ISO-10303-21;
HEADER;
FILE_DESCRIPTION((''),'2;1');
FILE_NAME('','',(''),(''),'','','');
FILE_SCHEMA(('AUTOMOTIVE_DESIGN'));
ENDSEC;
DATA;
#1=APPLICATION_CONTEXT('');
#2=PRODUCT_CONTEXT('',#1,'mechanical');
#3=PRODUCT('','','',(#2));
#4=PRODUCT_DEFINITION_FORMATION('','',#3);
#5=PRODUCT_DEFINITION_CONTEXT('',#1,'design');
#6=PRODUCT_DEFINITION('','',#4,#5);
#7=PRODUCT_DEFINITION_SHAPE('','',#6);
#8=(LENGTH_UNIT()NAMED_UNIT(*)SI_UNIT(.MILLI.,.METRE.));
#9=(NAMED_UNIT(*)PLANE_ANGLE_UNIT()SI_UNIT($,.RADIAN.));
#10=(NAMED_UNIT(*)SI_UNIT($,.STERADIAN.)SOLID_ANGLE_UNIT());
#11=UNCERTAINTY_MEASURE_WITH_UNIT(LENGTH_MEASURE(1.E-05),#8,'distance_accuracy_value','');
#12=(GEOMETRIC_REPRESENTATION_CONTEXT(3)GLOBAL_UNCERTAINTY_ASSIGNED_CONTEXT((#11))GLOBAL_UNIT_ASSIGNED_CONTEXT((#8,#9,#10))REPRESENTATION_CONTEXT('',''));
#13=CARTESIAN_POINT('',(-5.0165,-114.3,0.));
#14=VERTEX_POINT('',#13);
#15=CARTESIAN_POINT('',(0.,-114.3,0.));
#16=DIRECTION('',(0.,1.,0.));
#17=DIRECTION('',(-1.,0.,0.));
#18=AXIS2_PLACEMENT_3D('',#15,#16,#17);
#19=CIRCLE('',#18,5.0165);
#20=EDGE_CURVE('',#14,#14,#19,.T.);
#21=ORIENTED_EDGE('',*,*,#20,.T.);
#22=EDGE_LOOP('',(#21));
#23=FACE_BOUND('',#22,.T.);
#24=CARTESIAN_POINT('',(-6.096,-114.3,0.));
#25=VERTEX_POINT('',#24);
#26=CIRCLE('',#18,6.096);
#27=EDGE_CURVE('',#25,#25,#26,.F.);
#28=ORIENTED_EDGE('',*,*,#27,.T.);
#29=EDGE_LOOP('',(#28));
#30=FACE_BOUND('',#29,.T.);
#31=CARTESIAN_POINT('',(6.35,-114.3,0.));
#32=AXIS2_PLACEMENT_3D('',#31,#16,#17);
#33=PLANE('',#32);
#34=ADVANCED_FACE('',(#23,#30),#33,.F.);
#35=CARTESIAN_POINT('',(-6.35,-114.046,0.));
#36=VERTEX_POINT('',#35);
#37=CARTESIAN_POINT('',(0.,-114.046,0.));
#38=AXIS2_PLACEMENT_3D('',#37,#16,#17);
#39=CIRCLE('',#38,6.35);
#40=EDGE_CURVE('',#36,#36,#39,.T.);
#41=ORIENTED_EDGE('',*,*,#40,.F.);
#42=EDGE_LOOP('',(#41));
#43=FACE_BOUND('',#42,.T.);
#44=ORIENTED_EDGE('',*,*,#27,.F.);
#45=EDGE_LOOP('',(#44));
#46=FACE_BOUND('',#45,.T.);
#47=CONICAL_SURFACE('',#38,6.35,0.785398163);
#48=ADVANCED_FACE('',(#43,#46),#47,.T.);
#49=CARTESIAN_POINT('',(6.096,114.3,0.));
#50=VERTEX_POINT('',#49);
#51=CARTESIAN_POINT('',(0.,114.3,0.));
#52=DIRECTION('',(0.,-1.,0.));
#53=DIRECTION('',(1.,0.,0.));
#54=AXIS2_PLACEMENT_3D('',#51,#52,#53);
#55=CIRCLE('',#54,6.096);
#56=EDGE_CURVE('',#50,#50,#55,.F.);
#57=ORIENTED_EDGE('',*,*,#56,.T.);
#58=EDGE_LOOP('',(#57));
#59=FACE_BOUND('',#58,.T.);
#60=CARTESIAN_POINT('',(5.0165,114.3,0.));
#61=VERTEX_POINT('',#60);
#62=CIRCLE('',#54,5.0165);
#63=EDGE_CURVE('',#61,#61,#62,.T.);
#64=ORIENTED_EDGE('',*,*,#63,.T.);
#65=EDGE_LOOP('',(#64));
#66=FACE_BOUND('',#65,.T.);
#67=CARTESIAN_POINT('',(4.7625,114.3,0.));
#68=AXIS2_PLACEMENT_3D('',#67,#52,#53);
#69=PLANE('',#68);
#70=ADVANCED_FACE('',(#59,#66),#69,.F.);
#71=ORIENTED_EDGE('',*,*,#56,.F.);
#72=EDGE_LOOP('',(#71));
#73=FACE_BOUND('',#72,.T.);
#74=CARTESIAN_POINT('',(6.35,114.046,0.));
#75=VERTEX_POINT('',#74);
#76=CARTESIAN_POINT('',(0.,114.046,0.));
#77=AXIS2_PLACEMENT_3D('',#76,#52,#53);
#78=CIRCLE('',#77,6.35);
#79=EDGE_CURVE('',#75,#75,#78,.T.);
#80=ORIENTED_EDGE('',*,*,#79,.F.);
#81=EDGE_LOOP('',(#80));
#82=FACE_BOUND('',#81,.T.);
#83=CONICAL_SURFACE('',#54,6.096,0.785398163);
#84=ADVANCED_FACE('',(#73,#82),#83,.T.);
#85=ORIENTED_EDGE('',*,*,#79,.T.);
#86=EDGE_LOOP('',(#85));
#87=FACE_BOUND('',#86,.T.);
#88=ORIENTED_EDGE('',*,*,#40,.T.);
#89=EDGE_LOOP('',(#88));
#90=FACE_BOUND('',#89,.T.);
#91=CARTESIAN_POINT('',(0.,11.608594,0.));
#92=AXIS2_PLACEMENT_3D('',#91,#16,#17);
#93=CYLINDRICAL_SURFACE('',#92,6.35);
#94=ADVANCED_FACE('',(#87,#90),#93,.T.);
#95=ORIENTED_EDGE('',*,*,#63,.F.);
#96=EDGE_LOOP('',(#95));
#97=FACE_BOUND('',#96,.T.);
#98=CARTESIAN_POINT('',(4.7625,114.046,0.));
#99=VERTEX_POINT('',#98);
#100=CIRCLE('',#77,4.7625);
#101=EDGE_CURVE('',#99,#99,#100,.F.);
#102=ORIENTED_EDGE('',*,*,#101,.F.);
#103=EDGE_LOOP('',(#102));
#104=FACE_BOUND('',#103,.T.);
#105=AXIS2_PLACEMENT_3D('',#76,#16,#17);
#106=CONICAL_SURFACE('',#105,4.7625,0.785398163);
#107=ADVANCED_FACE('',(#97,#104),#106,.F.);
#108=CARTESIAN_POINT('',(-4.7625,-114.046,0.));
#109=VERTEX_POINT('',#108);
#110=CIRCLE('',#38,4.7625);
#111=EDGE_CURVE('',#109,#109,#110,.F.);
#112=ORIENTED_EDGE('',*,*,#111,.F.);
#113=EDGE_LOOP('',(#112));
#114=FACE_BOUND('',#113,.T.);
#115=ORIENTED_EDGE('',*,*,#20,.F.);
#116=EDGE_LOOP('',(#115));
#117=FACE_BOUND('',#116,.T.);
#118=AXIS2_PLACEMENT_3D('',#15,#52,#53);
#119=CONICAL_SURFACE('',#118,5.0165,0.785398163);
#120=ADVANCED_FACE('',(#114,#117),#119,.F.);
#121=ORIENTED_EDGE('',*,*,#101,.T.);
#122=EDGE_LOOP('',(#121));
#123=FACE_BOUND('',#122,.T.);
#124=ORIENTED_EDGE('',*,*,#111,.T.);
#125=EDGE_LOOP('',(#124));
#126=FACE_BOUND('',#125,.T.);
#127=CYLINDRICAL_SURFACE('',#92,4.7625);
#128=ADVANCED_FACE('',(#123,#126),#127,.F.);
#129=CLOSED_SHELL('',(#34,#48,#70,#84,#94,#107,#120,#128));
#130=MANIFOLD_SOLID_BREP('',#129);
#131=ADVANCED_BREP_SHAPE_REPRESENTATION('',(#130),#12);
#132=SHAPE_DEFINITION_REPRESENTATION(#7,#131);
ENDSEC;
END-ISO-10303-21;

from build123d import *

# Parameters (mm, degrees)
SKETCH1_W     = 1.5875
SKETCH1_H     = 228.6
CHAMFER1_SIZE = 0.254


with BuildPart() as part:
    # Sketch1 → Revolve1 (revolve)
    with BuildSketch(Plane.XY):
        with Locations((5.55625, 0)):
            Rectangle(SKETCH1_W, SKETCH1_H)
    revolve(axis=Axis((0, 11.60859375, 0), (0, -1, 0)))

    # Chamfer1
    chamfer1_edges = [part.edges().sort_by_distance(p)[0] for p in [
        (-4.7625, -114.3, 0),
        (-6.35, -114.3, 0),
        (-6.35, 114.3, 0),
        (-4.7625, 114.3, 0),
    ]]
    chamfer(chamfer1_edges, length=CHAMFER1_SIZE)


solid = part.part
